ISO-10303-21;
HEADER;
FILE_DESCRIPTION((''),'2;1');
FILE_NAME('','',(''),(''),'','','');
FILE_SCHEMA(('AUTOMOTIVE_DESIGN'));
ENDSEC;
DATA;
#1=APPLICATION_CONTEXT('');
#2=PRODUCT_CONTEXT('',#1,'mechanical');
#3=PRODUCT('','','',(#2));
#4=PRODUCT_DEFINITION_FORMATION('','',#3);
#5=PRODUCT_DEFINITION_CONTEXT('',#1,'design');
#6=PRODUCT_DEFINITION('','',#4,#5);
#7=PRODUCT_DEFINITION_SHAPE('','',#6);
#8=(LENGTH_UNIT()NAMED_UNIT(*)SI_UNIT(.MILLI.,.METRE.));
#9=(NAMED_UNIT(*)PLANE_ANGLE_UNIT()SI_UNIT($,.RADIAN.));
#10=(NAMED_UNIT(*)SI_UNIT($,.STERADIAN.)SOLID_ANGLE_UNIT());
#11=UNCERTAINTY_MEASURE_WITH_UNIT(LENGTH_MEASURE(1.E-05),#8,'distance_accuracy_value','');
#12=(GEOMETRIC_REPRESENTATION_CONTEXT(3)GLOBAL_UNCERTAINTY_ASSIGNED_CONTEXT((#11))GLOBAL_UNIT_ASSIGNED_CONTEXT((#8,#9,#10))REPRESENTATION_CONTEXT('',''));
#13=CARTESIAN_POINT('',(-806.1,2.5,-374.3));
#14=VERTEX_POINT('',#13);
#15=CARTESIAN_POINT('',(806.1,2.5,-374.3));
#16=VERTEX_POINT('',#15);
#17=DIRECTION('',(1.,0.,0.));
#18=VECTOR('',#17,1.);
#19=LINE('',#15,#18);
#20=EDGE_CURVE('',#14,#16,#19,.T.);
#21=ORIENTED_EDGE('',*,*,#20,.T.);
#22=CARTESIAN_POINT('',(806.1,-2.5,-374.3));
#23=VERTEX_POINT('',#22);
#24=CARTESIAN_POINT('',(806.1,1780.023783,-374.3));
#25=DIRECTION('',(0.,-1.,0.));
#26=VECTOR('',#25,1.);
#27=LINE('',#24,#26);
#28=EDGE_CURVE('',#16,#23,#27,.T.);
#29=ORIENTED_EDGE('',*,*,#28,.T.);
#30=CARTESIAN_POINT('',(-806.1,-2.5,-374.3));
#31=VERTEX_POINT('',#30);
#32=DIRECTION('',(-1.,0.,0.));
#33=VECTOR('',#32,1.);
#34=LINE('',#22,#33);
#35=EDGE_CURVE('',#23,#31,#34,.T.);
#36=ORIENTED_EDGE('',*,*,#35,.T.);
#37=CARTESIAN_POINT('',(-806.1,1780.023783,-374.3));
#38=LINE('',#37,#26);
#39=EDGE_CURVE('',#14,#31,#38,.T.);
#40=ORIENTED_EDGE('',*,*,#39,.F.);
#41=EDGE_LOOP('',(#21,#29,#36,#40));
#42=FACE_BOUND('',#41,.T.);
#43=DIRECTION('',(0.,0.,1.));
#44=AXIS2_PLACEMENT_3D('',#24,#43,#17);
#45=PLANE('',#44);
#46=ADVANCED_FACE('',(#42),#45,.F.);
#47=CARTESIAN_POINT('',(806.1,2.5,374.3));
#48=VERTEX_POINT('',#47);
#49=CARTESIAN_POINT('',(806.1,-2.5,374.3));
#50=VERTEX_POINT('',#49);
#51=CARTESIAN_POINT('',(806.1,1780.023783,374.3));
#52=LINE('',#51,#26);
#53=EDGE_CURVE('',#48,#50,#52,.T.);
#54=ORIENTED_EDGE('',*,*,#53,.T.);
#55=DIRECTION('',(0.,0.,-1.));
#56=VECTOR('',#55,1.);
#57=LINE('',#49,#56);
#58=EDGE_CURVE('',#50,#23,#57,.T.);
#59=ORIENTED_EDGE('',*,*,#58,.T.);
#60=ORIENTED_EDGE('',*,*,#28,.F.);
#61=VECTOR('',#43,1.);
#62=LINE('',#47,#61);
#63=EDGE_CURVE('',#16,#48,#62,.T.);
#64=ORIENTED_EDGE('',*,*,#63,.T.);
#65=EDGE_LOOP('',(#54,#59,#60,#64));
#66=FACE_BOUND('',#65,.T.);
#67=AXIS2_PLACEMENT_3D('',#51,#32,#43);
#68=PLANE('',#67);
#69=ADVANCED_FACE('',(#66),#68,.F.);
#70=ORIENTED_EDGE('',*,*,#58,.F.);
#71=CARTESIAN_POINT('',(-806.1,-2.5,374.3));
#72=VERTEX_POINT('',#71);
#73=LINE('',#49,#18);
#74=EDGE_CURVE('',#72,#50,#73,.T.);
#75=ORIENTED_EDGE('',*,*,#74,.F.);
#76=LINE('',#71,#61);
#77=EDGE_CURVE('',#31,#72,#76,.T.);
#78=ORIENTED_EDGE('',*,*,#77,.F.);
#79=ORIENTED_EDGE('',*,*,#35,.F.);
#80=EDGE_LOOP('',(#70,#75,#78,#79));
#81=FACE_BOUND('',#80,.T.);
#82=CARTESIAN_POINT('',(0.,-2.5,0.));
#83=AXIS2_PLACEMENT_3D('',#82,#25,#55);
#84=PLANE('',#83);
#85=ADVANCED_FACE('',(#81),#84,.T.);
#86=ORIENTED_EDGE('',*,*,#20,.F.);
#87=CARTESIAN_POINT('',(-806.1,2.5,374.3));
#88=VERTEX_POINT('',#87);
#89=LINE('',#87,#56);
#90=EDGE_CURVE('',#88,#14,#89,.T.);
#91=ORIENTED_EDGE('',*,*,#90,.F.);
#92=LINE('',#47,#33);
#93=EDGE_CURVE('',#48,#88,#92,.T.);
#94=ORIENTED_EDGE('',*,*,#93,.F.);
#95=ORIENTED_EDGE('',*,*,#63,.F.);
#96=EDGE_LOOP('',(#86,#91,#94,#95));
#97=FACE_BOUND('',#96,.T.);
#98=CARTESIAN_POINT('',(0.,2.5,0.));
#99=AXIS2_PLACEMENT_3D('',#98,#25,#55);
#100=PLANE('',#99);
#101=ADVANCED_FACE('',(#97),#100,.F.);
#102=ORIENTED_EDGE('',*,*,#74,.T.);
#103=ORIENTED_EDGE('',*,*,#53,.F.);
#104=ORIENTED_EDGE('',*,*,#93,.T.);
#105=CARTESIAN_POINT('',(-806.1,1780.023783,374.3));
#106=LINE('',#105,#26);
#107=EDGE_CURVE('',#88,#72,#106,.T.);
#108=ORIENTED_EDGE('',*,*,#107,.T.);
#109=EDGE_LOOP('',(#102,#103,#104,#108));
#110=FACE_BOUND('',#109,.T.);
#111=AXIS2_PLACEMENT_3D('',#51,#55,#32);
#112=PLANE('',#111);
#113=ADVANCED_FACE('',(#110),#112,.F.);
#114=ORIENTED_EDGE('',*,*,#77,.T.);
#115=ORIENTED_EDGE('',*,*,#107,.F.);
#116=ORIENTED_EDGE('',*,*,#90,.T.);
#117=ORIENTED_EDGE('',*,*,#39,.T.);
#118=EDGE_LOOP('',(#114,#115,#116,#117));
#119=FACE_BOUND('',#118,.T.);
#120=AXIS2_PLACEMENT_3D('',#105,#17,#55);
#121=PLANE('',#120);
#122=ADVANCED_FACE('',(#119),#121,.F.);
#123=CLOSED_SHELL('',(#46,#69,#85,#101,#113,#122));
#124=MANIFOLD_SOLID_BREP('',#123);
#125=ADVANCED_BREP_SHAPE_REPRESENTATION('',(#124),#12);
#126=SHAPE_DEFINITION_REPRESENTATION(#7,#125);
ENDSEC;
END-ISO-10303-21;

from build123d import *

# Parameters (mm, degrees)
BOSS_EXTRUDE1_DEPTH             = 2.5
BOSS_EXTRUDE1_DEPTH_BACK        = 2.5
SKETCH1_W                       = 1600.2
SKETCH1_H                       = 736.6
BOSS_EXTRUDE2_REACH             = 882.801
SKETCH2_W                       = 1612.2
SKETCH2_H                       = 748.6
SKETCH2_W_2                     = 1600.2
SKETCH2_H_2                     = 736.6
BOSS_EXTRUDE2_DIRECTION_2_REACH = 882.801


with BuildPart() as part:
    # Sketch1 → Boss-Extrude1 (new, two sides: drawn at the far end of the back side and taken through both)
    with BuildSketch(Plane(origin=(0, 0, 0), x_dir=(1, 0, 0), z_dir=(0, 1, 0)).offset(-BOSS_EXTRUDE1_DEPTH_BACK)):
        Rectangle(SKETCH1_W, SKETCH1_H)
    extrude(amount=BOSS_EXTRUDE1_DEPTH + BOSS_EXTRUDE1_DEPTH_BACK)

    # Boss-Extrude2: up to this face of the body (flat: up to its plane)
    boss_extrude2_end = Plane(part.part.faces().sort_by_distance((0, 2.5, 0))[0])
    # Sketch2 → Boss-Extrude2 (add, up to the picked face)
    with BuildSketch(Plane(origin=(0, 0, 0), x_dir=(1, 0, 0), z_dir=(0, 1, 0)), mode=Mode.PRIVATE) as boss_extrude2_sk1:
        Rectangle(SKETCH2_W, SKETCH2_H)
        Rectangle(SKETCH2_W_2, SKETCH2_H_2, mode=Mode.SUBTRACT)
    boss_extrude2_tool1 = split(extrude(boss_extrude2_sk1.sketch, amount=BOSS_EXTRUDE2_REACH, mode=Mode.PRIVATE), bisect_by=boss_extrude2_end, keep=Keep.BOTH, mode=Mode.PRIVATE)
    add(boss_extrude2_tool1.solids().sort_by(Axis((0, 0, 372.522476), (0, 1, 0)))[0])

    # Boss-Extrude2 direction 2: up to this face of the body (flat: up to its plane)
    boss_extrude2_direction_2_end = Plane(part.part.faces().sort_by_distance((0, -2.5, 0))[0])
    # Sketch2 → Boss-Extrude2 direction 2 (add, up to the picked face)
    with BuildSketch(Plane(origin=(0, 0, 0), x_dir=(1, 0, 0), z_dir=(0, 1, 0)), mode=Mode.PRIVATE) as boss_extrude2_direction_2_sk1:
        Rectangle(SKETCH2_W, SKETCH2_H)
        Rectangle(SKETCH2_W_2, SKETCH2_H_2, mode=Mode.SUBTRACT)
    boss_extrude2_direction_2_tool1 = split(extrude(boss_extrude2_direction_2_sk1.sketch, amount=-BOSS_EXTRUDE2_DIRECTION_2_REACH, mode=Mode.PRIVATE), bisect_by=boss_extrude2_direction_2_end, keep=Keep.BOTH, mode=Mode.PRIVATE)
    add(boss_extrude2_direction_2_tool1.solids().sort_by(Axis((0, 0, 372.522476), (0, -1, 0)))[0])


solid = part.part
